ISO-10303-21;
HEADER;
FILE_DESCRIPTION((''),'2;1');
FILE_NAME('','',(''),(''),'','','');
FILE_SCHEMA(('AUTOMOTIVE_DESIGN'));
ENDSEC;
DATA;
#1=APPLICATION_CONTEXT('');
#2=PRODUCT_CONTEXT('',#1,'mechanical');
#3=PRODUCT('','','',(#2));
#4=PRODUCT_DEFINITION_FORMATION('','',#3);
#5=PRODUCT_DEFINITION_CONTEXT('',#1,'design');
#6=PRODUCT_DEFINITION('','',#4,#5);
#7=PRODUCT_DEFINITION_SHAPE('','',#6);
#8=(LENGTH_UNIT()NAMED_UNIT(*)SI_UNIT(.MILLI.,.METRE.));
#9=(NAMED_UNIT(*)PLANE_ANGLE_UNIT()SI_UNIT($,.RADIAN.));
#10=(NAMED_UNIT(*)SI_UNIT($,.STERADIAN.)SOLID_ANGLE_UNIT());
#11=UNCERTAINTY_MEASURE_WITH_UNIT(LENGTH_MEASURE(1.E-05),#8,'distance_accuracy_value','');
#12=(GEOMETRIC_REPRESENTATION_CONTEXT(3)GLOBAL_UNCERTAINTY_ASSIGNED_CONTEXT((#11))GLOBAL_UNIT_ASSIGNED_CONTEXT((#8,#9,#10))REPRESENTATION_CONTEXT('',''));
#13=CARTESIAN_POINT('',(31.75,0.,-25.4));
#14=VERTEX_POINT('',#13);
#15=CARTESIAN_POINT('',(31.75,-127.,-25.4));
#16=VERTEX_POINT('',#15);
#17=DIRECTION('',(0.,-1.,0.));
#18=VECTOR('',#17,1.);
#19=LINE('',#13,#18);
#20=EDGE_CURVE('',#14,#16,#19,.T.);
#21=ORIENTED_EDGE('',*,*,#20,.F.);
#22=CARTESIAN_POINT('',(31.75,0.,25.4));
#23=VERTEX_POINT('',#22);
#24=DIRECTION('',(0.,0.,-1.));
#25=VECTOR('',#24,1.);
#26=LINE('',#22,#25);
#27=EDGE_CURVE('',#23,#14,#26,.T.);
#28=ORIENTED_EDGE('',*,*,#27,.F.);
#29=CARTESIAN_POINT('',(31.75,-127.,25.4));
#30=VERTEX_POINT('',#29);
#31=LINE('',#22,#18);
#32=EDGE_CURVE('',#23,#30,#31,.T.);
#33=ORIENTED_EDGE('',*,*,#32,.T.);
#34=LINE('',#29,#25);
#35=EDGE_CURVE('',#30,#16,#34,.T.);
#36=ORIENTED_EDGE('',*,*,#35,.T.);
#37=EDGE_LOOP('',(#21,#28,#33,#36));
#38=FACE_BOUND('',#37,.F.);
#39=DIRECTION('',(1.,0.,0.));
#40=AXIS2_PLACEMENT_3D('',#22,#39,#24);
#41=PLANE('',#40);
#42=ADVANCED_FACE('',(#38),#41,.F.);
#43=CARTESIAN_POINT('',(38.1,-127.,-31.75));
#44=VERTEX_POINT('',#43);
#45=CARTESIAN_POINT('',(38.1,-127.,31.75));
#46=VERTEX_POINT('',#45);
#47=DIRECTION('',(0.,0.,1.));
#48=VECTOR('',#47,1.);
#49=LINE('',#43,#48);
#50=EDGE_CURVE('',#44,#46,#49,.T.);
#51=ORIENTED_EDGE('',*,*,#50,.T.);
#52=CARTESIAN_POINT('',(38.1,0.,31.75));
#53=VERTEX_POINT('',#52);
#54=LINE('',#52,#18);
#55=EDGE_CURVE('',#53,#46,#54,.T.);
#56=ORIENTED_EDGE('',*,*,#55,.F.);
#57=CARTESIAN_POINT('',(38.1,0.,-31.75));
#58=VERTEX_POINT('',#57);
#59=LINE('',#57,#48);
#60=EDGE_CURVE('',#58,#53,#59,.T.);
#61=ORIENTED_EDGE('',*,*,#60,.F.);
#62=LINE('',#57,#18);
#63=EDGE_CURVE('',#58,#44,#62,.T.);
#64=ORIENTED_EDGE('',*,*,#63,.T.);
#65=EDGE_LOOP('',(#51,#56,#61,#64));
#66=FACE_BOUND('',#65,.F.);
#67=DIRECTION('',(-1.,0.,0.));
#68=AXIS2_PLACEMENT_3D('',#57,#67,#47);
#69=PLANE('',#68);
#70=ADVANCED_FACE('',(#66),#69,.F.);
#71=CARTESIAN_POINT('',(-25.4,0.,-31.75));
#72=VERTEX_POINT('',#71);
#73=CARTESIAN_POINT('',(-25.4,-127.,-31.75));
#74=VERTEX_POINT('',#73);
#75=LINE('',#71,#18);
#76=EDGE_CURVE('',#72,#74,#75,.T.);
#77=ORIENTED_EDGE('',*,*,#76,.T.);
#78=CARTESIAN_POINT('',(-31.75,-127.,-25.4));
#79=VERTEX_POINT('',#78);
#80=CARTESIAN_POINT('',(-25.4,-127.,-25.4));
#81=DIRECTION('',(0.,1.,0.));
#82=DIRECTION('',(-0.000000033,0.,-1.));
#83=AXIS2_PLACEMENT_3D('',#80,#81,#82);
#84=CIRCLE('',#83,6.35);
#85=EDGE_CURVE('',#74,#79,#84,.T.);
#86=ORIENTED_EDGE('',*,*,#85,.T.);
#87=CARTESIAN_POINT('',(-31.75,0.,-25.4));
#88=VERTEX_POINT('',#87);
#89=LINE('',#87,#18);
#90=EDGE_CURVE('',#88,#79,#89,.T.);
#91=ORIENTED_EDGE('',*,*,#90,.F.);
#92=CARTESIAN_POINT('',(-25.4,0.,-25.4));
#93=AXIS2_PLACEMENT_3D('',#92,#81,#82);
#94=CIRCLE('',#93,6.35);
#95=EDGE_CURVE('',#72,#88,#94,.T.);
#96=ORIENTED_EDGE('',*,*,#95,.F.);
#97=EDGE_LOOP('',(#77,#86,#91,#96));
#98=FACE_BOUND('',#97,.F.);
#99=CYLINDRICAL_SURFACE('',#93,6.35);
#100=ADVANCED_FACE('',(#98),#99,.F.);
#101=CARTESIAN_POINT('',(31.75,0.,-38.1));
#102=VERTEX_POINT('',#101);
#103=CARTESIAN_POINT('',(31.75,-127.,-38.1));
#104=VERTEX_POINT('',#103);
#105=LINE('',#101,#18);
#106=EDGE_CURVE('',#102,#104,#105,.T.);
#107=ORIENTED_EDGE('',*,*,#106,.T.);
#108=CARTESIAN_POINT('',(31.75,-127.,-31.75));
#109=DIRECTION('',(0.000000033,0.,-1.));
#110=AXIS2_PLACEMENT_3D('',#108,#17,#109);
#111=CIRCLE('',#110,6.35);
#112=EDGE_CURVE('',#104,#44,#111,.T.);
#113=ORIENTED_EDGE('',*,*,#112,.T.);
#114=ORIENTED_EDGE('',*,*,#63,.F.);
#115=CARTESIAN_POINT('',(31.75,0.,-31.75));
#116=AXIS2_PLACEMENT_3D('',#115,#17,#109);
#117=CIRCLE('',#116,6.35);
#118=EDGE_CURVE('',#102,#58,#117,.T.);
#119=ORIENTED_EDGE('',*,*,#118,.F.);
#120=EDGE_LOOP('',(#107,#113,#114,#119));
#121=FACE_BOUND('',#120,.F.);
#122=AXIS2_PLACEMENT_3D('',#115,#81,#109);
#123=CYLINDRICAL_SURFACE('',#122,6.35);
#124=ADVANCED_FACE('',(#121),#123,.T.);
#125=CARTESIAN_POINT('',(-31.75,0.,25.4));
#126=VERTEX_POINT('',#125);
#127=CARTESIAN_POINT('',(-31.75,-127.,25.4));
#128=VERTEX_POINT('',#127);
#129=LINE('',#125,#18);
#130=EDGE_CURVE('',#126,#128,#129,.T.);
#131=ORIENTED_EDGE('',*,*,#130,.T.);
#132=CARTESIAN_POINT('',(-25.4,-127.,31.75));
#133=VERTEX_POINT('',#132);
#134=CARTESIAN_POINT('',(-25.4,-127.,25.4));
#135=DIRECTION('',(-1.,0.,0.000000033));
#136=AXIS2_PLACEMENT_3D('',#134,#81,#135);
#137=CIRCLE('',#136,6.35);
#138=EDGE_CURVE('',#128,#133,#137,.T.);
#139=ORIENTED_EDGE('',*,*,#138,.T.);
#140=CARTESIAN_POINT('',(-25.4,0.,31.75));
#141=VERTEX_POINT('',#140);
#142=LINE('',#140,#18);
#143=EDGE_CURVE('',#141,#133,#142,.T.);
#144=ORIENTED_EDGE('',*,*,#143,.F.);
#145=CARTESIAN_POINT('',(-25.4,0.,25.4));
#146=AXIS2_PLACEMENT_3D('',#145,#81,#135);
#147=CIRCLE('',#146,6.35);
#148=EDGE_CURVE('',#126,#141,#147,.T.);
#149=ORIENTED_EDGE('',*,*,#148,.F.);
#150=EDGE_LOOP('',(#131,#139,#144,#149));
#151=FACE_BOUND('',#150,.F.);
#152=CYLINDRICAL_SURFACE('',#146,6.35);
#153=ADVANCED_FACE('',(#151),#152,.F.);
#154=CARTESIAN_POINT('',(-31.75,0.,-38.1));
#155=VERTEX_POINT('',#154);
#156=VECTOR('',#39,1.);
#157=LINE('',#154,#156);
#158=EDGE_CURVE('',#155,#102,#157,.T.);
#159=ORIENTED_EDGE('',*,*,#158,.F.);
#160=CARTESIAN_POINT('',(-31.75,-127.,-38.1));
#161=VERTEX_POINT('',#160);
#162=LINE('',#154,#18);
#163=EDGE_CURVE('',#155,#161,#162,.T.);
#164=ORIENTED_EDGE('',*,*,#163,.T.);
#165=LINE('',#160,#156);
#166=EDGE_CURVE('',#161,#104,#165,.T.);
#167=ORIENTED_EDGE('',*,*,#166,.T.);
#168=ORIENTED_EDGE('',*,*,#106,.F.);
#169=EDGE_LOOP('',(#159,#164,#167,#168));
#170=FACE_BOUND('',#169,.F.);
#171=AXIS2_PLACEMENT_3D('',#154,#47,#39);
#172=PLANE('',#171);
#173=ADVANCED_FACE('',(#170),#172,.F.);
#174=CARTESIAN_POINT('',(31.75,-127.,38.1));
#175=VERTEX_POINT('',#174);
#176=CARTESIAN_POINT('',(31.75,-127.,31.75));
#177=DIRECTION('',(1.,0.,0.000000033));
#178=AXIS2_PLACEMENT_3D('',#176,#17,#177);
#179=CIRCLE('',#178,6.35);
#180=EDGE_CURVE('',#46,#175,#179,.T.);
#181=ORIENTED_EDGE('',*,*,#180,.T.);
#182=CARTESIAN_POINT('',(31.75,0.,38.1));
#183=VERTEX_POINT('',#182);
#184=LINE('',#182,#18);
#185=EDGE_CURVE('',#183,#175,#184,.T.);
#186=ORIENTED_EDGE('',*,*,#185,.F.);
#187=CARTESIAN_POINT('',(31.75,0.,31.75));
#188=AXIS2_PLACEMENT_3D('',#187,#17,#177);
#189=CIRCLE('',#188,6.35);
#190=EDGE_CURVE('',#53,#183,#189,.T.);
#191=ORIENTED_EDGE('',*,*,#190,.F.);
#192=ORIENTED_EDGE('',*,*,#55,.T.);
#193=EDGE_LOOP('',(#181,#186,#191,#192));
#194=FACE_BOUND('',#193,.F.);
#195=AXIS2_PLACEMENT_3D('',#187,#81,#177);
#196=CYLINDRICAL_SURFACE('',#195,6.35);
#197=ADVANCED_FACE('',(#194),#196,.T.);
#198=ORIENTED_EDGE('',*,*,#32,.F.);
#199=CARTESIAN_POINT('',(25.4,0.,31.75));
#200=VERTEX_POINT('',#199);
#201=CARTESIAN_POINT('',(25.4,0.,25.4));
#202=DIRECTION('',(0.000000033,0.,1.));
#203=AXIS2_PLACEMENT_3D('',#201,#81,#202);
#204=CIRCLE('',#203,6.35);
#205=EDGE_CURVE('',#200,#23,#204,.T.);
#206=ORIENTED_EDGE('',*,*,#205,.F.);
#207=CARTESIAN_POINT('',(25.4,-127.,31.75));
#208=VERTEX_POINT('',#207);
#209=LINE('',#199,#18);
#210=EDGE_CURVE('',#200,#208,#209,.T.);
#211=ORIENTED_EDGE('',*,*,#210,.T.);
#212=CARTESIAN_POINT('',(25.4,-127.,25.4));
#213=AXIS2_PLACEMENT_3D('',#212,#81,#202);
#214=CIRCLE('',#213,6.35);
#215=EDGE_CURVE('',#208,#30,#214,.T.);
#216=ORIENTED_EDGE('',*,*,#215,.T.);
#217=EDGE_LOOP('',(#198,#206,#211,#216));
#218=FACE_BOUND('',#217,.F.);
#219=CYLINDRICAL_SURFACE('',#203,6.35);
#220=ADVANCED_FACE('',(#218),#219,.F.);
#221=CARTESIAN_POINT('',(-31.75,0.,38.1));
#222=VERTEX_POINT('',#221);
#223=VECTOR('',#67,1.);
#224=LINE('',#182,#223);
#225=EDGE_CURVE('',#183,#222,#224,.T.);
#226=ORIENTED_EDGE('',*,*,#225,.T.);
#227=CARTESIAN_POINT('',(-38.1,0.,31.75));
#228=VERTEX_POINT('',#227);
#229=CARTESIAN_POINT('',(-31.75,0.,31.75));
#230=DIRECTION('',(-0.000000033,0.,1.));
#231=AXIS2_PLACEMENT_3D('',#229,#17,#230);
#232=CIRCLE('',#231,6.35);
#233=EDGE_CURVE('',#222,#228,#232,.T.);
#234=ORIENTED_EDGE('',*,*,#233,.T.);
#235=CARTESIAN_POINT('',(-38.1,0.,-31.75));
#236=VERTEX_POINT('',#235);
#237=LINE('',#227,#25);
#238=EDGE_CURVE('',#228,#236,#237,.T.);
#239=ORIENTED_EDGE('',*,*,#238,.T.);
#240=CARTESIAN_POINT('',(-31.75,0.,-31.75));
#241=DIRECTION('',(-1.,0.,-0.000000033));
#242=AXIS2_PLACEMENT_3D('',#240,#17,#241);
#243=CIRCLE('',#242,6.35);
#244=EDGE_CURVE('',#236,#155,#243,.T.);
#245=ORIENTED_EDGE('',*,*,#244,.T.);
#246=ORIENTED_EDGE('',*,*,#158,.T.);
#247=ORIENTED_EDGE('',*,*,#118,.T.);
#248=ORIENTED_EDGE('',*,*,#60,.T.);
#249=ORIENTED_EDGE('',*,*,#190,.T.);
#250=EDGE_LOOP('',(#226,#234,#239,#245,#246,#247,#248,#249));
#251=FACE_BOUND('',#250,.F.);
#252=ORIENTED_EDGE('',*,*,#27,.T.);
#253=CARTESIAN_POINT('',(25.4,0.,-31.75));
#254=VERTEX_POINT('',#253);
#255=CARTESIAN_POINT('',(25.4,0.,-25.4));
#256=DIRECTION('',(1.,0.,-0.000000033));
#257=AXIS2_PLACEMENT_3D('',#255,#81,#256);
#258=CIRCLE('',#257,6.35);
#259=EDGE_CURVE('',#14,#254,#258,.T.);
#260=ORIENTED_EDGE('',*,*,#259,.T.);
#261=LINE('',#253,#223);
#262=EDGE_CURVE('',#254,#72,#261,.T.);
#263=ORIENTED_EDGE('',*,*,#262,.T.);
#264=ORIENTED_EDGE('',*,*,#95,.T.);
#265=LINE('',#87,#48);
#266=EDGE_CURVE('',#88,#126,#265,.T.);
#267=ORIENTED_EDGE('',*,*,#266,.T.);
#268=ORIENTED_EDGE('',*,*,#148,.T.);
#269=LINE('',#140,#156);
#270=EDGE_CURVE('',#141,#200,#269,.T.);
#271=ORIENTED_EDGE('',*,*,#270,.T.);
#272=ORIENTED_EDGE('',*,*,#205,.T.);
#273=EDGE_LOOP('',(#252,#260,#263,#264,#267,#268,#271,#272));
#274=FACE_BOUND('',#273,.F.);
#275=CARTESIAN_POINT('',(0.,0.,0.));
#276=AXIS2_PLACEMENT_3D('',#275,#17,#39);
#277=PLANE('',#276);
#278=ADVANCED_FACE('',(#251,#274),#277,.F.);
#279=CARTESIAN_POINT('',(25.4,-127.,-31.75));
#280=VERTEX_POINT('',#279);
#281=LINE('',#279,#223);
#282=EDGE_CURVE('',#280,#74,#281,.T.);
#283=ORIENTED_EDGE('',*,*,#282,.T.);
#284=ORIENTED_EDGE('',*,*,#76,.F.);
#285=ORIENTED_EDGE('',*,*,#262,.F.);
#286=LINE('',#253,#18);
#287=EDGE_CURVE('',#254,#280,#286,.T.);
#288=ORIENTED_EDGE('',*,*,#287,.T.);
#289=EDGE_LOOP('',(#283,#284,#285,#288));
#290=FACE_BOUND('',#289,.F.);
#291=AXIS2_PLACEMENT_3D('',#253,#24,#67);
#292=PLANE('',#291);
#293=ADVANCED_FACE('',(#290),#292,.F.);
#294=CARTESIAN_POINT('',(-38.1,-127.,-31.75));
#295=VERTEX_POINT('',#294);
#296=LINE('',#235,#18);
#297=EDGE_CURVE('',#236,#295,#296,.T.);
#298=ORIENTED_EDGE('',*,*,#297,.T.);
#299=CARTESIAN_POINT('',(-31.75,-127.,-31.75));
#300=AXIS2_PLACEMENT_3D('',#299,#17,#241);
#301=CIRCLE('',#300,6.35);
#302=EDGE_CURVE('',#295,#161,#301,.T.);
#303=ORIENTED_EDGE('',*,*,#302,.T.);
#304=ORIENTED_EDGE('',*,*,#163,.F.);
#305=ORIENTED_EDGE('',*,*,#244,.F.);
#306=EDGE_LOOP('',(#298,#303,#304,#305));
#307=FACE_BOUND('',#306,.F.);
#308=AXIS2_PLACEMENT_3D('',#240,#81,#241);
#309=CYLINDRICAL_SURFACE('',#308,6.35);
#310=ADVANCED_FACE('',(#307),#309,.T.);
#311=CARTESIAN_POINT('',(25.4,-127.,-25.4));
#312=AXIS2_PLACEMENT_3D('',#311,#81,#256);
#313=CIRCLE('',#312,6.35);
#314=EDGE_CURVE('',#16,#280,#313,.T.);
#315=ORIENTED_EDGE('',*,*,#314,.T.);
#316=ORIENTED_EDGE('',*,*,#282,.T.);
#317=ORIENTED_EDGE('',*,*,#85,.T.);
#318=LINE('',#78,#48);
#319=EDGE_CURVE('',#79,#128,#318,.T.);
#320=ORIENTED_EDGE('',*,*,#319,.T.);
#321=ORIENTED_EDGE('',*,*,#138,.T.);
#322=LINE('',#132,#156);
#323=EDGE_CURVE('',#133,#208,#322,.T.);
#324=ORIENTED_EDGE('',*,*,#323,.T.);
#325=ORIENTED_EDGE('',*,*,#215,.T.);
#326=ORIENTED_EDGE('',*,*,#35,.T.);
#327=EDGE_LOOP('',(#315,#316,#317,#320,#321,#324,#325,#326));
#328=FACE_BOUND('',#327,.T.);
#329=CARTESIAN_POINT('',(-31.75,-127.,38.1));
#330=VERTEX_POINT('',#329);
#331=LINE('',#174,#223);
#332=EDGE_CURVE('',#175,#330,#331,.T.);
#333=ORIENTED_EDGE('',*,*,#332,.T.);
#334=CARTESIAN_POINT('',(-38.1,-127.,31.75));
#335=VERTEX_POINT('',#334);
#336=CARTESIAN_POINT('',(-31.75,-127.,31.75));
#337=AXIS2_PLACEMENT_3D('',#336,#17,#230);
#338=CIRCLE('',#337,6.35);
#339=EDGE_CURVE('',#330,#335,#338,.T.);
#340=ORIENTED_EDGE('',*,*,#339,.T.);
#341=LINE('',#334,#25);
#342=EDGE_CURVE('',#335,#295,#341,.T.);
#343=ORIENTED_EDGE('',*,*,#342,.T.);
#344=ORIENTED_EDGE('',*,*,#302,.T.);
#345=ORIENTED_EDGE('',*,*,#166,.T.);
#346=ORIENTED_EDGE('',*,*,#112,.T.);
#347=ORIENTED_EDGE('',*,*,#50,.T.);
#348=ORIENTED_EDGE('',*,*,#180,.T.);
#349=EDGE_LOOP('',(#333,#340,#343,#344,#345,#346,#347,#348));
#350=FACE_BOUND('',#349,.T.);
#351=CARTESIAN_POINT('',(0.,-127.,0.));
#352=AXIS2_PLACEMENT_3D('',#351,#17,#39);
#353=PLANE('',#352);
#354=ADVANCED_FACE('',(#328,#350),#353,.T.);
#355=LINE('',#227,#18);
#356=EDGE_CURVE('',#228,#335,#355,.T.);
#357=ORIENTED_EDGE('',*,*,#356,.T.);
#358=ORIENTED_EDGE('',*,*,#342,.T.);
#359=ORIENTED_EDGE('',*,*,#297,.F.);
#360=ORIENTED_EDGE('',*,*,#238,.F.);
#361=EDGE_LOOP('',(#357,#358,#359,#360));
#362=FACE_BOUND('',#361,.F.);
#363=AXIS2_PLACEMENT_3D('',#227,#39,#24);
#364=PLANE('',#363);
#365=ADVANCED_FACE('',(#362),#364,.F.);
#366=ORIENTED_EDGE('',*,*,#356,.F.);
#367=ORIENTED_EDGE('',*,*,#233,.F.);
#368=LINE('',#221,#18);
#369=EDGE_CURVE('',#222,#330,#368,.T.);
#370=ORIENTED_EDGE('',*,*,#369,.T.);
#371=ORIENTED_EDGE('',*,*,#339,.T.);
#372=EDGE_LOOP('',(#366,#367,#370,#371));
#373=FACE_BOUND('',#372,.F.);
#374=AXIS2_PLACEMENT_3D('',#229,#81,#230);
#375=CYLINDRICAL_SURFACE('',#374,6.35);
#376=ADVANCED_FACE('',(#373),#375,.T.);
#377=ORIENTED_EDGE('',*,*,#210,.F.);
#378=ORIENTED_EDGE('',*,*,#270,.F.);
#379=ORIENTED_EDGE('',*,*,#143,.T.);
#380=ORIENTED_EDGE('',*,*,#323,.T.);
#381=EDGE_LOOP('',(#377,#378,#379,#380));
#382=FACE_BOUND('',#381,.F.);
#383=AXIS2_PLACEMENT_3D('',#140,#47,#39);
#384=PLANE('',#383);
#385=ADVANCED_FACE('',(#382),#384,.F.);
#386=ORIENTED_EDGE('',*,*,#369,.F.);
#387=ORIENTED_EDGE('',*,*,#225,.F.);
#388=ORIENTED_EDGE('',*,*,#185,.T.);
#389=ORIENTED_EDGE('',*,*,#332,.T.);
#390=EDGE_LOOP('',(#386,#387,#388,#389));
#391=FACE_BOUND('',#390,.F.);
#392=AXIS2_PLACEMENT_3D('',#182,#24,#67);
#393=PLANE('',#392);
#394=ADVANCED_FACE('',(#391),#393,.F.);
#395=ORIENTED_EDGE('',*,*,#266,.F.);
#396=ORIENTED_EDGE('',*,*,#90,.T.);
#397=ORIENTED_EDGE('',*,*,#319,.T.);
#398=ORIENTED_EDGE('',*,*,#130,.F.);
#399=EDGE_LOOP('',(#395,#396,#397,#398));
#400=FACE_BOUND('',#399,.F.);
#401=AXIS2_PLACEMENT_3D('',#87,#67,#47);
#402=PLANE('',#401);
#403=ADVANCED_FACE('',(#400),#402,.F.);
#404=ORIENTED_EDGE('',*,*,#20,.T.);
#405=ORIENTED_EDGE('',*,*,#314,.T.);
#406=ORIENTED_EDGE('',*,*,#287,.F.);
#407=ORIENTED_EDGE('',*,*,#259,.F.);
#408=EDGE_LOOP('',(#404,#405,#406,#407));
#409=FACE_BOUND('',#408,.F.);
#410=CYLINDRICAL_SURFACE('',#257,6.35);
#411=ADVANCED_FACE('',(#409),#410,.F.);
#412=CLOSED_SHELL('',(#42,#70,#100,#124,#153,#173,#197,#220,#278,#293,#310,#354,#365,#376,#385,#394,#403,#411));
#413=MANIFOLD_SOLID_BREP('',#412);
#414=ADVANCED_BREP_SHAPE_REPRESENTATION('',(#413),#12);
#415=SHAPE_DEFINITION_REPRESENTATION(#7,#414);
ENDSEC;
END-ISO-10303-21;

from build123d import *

# Parameters (mm, degrees)
F1_DEPTH = 127


with BuildPart() as f1:
    # F0 (on Front) → F1 (new body)
    with BuildSketch(Plane.XZ):
        with BuildLine():
            ThreePointArc((38.1, 31.75), (36.240128, 36.240128), (31.75, 38.1))
            Line((31.75, 38.1), (-31.75, 38.1))
            ThreePointArc((-31.75, 38.1), (-36.240128, 36.240128), (-38.1, 31.75))
            Line((-38.1, 31.75), (-38.1, -31.75))
            ThreePointArc((-38.1, -31.75), (-36.240128, -36.240128), (-31.75, -38.1))
            Line((-31.75, -38.1), (31.75, -38.1))
            ThreePointArc((31.75, -38.1), (36.240128, -36.240128), (38.1, -31.75))
            Line((38.1, -31.75), (38.1, 31.75))
        make_face()
        with BuildLine():
            Line((-31.75, -25.4), (-31.75, 25.4))
            ThreePointArc((-31.75, 25.4), (-29.890128, 29.890128), (-25.4, 31.75))
            Line((-25.4, 31.75), (25.4, 31.75))
            ThreePointArc((25.4, 31.75), (29.890128, 29.890128), (31.75, 25.4))
            Line((31.75, 25.4), (31.75, -25.4))
            ThreePointArc((31.75, -25.4), (29.890128, -29.890128), (25.4, -31.75))
            Line((25.4, -31.75), (-25.4, -31.75))
            ThreePointArc((-25.4, -31.75), (-29.890128, -29.890128), (-31.75, -25.4))
        make_face(mode=Mode.SUBTRACT)
    extrude(amount=F1_DEPTH)


solid = f1.part
